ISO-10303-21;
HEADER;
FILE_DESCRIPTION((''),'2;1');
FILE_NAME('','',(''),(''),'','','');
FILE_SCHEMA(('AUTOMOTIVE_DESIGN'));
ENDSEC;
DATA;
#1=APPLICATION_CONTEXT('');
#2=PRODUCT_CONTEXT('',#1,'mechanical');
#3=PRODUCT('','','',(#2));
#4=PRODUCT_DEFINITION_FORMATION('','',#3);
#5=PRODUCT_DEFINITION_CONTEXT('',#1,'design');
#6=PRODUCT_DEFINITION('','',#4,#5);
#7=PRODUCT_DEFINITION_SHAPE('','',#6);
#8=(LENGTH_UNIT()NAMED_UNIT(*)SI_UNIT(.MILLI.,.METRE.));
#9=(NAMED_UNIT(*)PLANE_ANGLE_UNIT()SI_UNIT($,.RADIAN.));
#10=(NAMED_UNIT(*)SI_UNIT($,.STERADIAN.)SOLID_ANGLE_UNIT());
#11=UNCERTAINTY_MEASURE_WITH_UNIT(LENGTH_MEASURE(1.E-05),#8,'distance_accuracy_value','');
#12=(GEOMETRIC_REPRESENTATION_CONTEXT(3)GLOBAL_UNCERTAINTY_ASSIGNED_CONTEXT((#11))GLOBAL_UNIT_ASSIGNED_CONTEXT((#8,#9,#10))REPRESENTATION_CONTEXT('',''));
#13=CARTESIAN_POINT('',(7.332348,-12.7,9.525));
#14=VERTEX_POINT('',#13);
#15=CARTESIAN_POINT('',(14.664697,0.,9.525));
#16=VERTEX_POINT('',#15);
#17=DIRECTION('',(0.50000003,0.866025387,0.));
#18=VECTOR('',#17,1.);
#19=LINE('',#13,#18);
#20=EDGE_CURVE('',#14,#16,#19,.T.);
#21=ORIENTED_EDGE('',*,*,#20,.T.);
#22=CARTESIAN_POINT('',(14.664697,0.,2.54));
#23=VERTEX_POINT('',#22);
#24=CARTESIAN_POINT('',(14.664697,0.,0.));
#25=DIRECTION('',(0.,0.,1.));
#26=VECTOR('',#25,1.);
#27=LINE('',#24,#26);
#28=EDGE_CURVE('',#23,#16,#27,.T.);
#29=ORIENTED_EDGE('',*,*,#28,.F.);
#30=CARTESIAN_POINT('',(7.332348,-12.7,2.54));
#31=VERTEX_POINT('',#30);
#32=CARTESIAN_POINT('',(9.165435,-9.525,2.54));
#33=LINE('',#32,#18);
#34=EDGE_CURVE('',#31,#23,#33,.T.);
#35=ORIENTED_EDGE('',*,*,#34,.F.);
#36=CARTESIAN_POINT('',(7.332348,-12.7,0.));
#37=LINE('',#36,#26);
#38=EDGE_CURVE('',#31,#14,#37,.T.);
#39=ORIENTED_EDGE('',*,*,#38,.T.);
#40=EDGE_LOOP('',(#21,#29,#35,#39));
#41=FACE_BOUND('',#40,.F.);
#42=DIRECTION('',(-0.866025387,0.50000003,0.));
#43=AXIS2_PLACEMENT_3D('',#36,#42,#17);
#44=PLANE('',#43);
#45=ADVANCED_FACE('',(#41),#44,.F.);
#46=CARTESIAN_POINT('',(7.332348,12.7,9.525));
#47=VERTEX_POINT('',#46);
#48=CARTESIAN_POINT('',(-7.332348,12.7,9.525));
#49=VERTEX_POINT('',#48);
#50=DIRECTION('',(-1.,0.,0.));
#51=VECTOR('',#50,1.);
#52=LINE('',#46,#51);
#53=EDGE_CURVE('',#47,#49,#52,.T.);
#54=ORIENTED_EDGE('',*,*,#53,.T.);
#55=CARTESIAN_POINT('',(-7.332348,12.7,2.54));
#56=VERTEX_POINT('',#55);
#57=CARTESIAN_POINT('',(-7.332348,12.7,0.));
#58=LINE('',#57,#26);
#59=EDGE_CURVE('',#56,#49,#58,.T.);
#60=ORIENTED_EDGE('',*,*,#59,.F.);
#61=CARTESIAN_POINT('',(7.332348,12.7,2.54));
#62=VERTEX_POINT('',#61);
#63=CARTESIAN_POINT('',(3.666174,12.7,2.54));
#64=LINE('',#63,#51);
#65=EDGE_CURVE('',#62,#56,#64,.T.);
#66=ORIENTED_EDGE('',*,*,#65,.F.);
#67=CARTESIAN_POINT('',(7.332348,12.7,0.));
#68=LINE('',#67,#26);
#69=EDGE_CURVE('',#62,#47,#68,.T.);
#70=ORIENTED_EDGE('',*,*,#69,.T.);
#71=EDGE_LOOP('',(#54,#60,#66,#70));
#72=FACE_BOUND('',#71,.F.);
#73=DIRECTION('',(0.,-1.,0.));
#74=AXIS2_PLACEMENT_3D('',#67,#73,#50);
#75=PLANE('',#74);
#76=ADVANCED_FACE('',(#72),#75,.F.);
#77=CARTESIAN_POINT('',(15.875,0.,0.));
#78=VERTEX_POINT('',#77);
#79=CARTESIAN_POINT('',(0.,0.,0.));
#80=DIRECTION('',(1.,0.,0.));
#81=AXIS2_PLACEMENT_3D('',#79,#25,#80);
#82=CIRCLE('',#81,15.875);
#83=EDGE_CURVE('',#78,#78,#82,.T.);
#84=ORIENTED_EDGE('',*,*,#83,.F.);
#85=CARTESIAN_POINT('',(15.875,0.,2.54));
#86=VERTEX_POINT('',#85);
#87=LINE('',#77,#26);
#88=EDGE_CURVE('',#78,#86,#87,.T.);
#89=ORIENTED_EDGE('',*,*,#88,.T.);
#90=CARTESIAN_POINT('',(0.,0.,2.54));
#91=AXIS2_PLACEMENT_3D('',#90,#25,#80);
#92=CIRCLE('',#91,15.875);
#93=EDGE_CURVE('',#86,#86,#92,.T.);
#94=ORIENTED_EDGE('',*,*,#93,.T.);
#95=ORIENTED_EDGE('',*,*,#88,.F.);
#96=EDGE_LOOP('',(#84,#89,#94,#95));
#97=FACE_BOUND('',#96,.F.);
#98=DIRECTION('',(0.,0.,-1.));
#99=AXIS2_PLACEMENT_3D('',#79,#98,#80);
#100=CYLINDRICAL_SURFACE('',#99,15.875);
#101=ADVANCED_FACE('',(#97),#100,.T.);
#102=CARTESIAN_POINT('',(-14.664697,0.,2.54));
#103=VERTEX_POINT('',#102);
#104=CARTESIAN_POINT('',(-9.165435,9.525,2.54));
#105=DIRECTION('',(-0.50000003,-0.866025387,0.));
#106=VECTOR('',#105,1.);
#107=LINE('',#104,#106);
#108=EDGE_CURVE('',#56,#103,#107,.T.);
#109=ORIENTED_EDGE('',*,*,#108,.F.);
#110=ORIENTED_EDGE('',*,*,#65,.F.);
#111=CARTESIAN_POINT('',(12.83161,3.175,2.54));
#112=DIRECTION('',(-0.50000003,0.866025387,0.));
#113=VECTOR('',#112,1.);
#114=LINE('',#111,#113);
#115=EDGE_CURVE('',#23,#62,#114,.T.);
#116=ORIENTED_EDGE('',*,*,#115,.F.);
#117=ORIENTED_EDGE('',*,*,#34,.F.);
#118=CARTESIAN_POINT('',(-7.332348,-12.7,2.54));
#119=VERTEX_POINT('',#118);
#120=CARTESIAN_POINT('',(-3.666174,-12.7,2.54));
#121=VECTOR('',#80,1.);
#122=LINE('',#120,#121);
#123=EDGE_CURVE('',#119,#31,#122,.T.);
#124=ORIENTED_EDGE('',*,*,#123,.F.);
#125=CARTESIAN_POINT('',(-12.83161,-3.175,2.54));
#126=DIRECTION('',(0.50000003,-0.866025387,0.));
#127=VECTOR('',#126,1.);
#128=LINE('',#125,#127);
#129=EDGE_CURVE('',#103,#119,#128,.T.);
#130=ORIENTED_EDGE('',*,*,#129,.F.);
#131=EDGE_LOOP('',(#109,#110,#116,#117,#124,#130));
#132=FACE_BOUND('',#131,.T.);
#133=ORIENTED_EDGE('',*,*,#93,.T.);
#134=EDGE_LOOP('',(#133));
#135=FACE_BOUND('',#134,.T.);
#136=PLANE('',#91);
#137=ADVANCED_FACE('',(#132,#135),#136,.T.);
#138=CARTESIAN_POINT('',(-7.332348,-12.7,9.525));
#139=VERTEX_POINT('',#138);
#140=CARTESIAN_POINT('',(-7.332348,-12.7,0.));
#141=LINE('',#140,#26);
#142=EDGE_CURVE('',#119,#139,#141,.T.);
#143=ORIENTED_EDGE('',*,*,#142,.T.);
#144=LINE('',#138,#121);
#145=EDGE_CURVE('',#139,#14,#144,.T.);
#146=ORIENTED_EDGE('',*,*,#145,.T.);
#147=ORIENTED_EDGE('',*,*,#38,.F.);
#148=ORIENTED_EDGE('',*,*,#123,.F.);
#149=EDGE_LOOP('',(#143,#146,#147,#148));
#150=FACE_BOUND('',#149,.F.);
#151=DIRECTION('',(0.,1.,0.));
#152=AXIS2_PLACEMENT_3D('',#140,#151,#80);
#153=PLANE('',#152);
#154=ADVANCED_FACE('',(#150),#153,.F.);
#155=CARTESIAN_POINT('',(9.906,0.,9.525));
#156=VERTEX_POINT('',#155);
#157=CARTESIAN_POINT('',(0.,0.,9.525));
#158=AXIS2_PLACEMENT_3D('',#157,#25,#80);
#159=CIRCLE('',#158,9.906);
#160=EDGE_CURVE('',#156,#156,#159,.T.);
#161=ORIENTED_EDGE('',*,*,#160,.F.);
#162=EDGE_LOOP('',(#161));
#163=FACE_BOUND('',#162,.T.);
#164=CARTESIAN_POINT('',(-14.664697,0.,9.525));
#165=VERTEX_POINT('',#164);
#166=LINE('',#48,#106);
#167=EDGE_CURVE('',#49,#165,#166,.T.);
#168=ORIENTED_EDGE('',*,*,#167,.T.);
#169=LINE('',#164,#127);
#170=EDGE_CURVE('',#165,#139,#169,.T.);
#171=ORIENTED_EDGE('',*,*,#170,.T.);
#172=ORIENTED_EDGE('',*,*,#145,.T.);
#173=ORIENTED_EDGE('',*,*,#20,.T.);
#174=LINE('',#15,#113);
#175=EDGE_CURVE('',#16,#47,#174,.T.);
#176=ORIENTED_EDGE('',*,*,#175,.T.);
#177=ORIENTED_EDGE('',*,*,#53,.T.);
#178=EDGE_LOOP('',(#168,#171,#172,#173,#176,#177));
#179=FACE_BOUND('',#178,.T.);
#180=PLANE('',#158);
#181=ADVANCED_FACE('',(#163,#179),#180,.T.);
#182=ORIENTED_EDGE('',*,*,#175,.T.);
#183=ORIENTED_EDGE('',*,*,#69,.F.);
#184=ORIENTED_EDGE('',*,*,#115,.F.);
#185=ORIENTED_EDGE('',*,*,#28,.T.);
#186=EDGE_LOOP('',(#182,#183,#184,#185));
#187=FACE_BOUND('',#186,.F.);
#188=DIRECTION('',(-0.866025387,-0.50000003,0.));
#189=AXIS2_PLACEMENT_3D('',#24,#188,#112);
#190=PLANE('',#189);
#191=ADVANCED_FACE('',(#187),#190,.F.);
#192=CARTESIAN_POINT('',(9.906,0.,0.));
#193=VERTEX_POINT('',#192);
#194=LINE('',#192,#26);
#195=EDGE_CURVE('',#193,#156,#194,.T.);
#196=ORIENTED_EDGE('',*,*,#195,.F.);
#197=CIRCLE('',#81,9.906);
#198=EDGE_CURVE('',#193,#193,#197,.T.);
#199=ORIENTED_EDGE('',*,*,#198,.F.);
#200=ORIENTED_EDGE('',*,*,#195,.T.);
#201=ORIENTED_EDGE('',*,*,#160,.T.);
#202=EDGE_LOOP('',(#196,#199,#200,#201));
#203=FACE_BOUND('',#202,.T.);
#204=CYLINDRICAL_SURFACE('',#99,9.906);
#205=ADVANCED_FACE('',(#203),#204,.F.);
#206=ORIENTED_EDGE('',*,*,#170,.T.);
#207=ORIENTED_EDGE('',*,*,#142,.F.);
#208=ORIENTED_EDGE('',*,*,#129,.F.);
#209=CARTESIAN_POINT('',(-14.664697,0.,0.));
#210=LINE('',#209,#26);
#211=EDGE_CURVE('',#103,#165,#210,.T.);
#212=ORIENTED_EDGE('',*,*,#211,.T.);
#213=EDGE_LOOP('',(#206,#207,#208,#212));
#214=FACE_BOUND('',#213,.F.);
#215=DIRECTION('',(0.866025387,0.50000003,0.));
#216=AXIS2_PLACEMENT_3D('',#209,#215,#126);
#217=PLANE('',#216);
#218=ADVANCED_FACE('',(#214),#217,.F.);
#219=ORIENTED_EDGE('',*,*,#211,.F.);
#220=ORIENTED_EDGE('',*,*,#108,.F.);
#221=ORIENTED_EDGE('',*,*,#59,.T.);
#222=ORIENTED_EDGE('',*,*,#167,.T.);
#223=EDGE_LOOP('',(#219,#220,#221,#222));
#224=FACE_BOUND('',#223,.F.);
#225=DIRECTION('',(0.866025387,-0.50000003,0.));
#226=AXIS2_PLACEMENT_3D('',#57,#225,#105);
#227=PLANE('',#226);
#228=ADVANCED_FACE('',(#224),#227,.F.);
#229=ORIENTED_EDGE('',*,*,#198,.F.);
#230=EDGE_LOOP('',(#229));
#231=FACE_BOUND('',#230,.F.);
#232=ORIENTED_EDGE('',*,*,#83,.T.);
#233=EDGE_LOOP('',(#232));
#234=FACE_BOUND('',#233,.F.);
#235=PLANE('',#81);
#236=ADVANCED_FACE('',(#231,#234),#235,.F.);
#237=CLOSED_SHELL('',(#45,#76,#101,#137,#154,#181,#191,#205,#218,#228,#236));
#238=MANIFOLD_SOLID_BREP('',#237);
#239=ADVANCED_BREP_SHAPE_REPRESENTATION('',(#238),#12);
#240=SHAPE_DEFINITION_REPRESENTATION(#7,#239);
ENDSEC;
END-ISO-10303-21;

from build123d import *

# Parameters (mm, degrees)
F0_R     = 9.906
F1_DEPTH = 9.525
F2_R     = 15.875
F2_R_2   = 9.906
F3_DEPTH = 2.54


with BuildPart() as f1:
    # F0 (on Top) → F1 (new body)
    with BuildSketch(Plane.XY):
        Polygon((7.332348, 12.7), (-7.332348, 12.7), (-14.664697, 0), (-7.332348, -12.7), (7.332348, -12.7), (14.664697, 0), align=None)
        Circle(F0_R, mode=Mode.SUBTRACT)
    extrude(amount=F1_DEPTH)

    # F2 (on Top) → F3 (join)
    with BuildSketch(Plane.XY):
        Circle(F2_R)
        Circle(F2_R_2, mode=Mode.SUBTRACT)
    extrude(amount=F3_DEPTH)


solid = f1.part
